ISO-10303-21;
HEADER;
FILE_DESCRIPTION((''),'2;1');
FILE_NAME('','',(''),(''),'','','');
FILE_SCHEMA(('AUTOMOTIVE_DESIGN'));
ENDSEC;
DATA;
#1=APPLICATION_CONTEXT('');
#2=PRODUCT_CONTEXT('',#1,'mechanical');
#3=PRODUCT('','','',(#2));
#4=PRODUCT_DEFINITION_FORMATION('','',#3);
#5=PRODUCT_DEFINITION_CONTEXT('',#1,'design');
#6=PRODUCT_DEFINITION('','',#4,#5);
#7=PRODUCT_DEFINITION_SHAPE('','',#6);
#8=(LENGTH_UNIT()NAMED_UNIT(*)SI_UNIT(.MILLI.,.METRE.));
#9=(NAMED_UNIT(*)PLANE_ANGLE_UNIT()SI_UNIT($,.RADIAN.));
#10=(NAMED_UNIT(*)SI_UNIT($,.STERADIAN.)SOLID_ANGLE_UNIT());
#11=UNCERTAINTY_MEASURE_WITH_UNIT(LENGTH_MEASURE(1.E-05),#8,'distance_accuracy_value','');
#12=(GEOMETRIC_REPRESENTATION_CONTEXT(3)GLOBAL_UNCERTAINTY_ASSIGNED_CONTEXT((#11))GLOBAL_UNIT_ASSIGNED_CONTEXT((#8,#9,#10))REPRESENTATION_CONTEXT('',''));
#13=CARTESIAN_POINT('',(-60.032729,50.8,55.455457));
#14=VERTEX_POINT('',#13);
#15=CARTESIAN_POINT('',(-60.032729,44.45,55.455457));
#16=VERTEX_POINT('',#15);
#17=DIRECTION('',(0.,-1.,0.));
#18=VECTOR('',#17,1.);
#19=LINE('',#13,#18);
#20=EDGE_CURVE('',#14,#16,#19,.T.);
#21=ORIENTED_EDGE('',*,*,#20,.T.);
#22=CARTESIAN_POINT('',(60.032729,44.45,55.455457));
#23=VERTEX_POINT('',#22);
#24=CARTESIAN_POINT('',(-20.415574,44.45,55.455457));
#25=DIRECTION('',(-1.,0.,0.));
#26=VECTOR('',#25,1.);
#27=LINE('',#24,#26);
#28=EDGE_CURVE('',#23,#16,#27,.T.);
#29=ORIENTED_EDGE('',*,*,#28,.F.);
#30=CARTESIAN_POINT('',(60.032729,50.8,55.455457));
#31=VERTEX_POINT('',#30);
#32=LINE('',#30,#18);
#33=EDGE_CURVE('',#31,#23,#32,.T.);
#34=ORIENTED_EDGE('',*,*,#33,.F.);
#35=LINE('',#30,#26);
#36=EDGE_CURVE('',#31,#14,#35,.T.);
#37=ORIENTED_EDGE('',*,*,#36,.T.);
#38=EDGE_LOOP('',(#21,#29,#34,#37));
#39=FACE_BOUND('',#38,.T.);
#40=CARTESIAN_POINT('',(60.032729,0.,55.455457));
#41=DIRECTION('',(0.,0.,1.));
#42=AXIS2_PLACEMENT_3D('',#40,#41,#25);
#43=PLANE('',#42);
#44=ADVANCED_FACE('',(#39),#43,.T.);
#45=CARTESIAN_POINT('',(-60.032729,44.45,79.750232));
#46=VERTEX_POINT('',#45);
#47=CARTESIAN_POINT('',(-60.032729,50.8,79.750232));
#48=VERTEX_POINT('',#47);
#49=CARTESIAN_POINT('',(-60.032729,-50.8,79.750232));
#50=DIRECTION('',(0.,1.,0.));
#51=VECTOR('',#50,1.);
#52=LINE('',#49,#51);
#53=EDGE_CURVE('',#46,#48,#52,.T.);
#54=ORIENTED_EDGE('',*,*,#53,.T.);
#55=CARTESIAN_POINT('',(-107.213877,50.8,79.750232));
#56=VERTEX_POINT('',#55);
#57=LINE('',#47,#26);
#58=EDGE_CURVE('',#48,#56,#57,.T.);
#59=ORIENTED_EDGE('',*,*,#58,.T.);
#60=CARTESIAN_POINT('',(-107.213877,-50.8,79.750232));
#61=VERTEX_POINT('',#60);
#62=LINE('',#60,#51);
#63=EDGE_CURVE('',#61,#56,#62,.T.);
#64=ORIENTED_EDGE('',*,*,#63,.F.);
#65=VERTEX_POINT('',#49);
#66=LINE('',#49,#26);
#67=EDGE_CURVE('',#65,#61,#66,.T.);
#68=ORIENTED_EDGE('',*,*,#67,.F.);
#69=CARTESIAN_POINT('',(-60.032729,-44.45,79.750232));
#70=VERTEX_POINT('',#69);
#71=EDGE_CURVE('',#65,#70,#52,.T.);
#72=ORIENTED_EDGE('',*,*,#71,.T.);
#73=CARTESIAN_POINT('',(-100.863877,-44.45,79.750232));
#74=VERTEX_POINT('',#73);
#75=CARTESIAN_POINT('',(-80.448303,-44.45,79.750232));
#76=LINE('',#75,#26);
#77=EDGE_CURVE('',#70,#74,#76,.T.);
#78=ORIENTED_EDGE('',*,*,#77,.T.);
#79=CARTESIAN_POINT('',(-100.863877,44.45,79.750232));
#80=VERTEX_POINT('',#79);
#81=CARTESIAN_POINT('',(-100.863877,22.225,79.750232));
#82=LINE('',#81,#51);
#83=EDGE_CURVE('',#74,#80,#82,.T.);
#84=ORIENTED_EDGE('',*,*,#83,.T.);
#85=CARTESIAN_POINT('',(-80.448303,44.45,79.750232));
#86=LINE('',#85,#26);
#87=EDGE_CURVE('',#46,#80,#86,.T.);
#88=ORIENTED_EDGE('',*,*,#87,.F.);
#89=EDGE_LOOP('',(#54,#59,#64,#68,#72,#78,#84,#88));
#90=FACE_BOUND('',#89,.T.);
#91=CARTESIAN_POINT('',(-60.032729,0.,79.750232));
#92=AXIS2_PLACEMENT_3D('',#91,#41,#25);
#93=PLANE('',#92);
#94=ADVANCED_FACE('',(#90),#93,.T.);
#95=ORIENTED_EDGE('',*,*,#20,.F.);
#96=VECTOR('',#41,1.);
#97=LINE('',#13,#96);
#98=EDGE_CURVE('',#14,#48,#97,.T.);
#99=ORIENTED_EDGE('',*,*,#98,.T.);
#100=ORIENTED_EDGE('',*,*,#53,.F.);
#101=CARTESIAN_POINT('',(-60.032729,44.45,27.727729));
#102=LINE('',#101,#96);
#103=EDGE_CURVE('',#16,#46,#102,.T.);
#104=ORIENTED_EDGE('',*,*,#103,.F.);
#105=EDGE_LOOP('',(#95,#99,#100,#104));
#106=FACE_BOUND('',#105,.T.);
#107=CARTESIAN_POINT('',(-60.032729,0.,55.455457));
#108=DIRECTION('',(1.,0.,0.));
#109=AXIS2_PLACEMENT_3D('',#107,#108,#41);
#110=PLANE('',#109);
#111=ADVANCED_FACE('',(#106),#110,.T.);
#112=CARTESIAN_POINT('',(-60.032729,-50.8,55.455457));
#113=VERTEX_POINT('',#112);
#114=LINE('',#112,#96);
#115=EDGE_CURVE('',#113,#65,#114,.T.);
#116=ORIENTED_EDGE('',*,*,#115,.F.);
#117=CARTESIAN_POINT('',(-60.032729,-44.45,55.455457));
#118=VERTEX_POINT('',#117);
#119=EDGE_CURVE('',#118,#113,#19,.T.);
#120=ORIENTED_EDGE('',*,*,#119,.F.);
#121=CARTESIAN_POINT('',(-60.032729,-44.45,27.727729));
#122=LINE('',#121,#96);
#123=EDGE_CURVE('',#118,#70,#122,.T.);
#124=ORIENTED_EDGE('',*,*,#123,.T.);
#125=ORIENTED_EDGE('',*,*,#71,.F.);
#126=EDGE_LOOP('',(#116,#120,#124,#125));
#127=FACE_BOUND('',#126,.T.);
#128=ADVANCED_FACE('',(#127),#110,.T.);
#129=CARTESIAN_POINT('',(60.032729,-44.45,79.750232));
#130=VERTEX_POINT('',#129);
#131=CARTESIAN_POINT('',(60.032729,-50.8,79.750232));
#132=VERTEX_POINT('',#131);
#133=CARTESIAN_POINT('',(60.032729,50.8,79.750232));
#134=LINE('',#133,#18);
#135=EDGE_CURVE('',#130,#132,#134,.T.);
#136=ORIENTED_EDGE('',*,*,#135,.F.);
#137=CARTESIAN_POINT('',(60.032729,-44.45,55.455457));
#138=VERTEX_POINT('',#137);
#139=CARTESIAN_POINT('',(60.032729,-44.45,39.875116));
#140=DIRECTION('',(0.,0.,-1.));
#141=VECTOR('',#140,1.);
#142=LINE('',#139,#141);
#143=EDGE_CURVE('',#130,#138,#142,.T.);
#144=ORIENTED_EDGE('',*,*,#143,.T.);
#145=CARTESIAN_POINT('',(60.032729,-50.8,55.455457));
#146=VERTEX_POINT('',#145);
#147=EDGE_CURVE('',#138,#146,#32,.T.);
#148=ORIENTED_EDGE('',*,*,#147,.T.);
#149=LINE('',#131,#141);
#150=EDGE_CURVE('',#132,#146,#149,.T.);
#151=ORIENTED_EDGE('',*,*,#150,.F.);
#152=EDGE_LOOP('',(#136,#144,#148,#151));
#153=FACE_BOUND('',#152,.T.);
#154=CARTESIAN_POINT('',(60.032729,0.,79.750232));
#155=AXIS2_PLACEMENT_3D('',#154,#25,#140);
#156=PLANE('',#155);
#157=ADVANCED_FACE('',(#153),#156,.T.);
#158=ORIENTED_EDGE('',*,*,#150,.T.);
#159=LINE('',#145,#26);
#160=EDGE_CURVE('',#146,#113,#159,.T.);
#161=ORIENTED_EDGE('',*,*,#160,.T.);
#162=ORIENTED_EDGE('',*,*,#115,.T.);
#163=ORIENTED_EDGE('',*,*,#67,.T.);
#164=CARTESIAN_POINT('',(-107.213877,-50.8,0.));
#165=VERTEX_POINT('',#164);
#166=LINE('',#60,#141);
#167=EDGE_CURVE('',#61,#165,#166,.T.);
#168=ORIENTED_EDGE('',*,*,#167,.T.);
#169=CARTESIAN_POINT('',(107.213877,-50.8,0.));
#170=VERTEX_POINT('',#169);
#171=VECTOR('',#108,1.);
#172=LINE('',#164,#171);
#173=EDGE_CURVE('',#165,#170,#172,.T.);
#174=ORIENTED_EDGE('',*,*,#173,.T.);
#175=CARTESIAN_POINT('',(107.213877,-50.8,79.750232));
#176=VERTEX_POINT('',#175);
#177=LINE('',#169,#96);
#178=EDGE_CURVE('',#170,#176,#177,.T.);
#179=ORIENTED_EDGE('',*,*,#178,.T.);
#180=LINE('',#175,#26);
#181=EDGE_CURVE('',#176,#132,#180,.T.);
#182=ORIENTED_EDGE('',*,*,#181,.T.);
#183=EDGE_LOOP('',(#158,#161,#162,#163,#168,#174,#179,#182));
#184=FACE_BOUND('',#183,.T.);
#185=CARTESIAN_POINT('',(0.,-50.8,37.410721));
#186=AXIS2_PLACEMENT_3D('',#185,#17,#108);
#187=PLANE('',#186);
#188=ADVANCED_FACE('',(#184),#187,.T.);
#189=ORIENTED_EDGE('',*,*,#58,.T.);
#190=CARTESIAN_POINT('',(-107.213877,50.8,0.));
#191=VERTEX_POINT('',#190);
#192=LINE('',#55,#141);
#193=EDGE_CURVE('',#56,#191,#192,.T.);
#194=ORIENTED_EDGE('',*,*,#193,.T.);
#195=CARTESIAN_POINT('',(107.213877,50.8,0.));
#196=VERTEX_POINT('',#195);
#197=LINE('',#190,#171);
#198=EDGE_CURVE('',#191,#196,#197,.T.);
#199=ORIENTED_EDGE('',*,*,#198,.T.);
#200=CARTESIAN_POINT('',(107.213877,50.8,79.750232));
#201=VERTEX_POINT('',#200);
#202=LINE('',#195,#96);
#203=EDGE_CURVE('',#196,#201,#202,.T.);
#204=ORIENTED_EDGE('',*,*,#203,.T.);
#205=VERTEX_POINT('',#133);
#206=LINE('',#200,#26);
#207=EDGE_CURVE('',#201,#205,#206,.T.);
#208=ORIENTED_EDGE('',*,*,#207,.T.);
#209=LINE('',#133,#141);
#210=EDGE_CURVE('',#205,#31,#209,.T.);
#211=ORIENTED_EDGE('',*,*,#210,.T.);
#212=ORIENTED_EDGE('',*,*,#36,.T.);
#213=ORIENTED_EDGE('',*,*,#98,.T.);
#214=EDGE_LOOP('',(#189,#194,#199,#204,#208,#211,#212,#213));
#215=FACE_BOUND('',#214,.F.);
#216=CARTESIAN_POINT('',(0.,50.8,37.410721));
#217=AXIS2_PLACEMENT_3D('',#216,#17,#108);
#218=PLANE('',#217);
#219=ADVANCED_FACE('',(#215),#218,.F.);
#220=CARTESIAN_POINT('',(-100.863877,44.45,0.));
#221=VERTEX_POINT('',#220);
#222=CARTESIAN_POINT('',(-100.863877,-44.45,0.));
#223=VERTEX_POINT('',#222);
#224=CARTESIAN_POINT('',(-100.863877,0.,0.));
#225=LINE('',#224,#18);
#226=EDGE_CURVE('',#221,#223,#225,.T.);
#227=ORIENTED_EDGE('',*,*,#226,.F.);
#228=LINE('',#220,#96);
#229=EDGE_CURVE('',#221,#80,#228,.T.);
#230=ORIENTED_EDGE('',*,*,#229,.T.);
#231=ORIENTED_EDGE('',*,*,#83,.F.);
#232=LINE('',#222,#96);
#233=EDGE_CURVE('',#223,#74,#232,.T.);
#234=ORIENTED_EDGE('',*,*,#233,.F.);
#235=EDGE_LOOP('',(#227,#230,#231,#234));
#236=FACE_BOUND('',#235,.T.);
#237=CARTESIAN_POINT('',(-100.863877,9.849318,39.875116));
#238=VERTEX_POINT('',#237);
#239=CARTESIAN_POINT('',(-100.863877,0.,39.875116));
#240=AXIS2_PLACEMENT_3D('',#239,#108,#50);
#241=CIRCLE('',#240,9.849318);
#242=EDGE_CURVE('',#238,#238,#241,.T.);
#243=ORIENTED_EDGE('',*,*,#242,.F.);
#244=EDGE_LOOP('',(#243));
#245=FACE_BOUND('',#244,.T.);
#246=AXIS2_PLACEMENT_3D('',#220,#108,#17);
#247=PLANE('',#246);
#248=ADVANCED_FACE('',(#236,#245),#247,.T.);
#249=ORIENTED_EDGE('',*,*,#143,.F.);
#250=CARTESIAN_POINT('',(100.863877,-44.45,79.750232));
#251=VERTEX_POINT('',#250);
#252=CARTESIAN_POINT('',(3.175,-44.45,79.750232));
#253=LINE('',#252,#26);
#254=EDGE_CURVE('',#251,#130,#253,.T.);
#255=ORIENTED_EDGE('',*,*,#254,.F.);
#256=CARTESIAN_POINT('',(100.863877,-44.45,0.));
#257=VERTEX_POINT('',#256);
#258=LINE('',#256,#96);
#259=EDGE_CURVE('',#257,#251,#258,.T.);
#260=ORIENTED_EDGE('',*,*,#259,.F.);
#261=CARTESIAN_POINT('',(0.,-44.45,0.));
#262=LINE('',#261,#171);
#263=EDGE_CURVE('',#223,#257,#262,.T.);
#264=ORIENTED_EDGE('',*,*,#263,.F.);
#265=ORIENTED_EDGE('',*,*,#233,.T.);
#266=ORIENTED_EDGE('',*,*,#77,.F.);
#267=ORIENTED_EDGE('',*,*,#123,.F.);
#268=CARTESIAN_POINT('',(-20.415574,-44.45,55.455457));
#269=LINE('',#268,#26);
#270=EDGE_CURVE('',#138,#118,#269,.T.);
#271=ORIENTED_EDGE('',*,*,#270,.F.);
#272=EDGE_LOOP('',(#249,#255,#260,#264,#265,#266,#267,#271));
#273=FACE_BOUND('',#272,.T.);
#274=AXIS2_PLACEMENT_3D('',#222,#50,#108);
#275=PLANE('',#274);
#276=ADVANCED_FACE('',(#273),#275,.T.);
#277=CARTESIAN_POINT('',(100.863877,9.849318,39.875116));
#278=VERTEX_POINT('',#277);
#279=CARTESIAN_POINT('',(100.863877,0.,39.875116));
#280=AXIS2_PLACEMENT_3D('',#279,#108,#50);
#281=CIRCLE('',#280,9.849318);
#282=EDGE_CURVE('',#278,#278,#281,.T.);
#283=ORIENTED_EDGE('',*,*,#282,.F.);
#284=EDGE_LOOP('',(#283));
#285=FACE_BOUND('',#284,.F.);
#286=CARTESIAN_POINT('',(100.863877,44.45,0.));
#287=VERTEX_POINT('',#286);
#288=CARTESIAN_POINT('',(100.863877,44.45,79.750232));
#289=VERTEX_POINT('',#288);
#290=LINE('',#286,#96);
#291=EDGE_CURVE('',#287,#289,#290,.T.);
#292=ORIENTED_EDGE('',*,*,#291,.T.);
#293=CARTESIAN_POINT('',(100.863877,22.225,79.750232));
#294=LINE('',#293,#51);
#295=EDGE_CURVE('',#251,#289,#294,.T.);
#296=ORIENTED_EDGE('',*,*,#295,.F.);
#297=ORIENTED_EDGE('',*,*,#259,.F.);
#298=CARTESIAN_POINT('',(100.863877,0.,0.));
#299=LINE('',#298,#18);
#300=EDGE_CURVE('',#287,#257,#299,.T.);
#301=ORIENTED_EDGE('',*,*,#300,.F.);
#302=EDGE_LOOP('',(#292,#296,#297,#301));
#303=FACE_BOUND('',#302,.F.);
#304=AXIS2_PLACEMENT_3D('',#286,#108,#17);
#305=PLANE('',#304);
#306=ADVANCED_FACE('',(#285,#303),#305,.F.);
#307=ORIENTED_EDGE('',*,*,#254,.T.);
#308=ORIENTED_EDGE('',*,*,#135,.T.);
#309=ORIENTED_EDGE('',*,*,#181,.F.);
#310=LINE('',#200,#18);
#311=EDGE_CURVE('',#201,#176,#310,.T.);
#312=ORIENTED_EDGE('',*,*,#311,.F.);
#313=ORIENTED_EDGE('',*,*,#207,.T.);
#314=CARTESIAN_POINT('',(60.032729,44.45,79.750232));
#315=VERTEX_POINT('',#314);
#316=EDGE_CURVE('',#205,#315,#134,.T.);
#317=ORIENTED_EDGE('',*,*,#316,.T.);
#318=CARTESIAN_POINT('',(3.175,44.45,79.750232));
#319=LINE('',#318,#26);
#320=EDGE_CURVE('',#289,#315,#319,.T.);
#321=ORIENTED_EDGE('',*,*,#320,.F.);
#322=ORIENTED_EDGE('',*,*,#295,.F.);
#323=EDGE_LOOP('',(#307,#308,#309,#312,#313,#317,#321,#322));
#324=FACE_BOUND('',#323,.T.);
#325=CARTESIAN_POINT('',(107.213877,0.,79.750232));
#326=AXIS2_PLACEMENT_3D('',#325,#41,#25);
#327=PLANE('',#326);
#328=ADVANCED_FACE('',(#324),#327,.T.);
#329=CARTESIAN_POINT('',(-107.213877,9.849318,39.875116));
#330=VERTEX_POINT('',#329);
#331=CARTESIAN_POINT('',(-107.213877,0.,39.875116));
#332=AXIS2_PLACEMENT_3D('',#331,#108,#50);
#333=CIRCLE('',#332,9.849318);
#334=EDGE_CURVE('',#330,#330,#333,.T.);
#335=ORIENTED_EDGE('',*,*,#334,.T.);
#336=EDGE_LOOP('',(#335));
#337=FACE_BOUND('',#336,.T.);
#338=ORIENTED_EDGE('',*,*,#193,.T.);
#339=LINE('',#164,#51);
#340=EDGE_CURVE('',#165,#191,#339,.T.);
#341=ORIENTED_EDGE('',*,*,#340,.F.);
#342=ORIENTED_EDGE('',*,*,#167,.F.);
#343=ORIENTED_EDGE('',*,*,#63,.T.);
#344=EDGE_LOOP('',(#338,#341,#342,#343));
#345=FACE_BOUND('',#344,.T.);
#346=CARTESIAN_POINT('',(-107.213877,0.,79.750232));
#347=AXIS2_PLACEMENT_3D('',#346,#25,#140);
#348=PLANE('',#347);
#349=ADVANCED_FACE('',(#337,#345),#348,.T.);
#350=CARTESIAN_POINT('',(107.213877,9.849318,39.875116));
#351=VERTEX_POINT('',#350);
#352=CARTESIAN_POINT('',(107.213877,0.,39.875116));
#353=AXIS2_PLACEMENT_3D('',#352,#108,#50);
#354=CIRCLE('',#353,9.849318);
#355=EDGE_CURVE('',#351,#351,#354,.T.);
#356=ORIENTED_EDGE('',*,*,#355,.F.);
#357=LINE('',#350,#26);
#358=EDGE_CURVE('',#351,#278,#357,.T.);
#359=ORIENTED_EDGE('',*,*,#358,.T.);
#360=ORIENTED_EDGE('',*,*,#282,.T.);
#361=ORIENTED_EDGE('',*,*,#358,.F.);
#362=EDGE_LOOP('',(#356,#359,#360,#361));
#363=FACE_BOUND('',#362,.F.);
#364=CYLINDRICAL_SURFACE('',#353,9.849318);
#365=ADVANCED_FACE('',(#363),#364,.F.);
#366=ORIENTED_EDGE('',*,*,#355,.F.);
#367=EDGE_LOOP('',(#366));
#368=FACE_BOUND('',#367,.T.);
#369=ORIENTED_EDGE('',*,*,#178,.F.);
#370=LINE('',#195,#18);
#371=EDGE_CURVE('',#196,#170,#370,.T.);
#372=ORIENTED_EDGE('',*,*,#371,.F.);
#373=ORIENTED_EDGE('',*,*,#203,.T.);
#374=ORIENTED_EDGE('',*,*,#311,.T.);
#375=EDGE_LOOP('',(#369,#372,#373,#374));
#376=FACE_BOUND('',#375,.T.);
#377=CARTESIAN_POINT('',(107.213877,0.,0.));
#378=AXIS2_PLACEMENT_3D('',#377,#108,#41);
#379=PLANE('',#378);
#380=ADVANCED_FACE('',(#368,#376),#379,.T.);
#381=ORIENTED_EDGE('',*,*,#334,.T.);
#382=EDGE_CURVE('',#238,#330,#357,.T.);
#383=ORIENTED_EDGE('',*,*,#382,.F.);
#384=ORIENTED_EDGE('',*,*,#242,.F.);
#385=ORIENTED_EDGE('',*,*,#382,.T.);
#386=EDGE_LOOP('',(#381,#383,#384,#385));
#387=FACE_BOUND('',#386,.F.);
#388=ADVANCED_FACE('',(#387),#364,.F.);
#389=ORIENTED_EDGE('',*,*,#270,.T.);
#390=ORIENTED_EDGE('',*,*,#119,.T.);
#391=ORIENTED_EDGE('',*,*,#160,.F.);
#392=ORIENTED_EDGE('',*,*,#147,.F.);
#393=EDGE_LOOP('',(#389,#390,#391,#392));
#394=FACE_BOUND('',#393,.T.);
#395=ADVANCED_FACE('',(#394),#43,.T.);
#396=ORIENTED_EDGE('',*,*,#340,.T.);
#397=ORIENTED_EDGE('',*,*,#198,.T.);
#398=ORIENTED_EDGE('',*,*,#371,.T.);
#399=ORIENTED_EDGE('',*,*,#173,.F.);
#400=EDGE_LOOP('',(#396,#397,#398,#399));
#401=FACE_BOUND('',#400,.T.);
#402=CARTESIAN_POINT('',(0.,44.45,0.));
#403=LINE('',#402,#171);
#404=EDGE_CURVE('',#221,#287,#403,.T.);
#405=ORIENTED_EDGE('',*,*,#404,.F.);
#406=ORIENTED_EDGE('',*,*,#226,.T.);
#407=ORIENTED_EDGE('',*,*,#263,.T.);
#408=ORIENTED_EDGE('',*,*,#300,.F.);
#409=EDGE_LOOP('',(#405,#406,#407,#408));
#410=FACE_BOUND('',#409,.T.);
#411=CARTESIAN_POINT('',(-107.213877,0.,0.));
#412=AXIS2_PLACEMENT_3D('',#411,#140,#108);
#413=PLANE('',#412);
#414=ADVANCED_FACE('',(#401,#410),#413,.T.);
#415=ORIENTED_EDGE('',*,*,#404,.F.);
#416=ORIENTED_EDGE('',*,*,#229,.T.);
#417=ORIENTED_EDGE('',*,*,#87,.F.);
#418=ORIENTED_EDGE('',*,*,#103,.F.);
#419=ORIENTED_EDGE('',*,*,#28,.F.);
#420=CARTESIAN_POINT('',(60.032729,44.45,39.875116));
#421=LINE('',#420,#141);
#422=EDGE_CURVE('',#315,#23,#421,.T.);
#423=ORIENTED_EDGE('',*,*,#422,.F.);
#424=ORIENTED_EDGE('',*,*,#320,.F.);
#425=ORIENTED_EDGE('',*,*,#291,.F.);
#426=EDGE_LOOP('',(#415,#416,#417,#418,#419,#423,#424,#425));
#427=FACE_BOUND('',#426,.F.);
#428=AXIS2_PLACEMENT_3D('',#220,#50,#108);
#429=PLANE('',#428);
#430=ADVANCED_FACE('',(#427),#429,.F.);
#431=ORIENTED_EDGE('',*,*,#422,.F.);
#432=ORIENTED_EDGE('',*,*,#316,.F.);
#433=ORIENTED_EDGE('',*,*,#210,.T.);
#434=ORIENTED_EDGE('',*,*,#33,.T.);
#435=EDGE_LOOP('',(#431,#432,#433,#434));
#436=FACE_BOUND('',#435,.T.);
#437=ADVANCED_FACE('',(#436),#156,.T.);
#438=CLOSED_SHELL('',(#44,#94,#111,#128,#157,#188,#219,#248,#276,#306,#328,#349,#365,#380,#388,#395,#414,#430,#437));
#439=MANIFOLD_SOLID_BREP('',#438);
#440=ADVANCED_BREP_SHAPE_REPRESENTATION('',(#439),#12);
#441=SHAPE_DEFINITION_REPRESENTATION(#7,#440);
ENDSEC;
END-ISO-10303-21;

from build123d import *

# Parameters (mm, degrees)
F1_DEPTH      = 50.8
F1_DEPTH_BACK = 50.8
F2_R          = 9.849318
F3_DEPTH      = 214.428754
F4_W          = 201.727754
F4_H          = 88.9
F5_DEPTH      = 79.751232


with BuildPart() as f1:
    # F0 (on Front) → F1 (new body, two sides)
    with BuildSketch(Plane.XZ) as f1_sk:
        Polygon((-107.213877, 0), (0, 0), (107.213877, 0), (107.213877, 79.750232), (60.032729, 79.750232), (60.032729, 55.455457), (0, 55.455457), (-60.032729, 55.455457), (-60.032729, 79.750232), (-107.213877, 79.750232), align=None)
    extrude(amount=F1_DEPTH)
    extrude(f1_sk.sketch, amount=-F1_DEPTH_BACK)

    # F2 (on face) → F3 (cut, through all)
    with BuildSketch(Plane.YZ.offset(107.213877)):
        with Locations((0, 39.875116)):
            Circle(F2_R)
    extrude(amount=-F3_DEPTH, mode=Mode.SUBTRACT)

    # F4 (on face) → F5 (cut, through all)
    with BuildSketch(Plane(origin=(0, 0, 0), x_dir=(1, 0, 0), z_dir=(0, 0, -1))):
        Rectangle(F4_W, F4_H)
    extrude(amount=-F5_DEPTH, mode=Mode.SUBTRACT)


solid = f1.part
